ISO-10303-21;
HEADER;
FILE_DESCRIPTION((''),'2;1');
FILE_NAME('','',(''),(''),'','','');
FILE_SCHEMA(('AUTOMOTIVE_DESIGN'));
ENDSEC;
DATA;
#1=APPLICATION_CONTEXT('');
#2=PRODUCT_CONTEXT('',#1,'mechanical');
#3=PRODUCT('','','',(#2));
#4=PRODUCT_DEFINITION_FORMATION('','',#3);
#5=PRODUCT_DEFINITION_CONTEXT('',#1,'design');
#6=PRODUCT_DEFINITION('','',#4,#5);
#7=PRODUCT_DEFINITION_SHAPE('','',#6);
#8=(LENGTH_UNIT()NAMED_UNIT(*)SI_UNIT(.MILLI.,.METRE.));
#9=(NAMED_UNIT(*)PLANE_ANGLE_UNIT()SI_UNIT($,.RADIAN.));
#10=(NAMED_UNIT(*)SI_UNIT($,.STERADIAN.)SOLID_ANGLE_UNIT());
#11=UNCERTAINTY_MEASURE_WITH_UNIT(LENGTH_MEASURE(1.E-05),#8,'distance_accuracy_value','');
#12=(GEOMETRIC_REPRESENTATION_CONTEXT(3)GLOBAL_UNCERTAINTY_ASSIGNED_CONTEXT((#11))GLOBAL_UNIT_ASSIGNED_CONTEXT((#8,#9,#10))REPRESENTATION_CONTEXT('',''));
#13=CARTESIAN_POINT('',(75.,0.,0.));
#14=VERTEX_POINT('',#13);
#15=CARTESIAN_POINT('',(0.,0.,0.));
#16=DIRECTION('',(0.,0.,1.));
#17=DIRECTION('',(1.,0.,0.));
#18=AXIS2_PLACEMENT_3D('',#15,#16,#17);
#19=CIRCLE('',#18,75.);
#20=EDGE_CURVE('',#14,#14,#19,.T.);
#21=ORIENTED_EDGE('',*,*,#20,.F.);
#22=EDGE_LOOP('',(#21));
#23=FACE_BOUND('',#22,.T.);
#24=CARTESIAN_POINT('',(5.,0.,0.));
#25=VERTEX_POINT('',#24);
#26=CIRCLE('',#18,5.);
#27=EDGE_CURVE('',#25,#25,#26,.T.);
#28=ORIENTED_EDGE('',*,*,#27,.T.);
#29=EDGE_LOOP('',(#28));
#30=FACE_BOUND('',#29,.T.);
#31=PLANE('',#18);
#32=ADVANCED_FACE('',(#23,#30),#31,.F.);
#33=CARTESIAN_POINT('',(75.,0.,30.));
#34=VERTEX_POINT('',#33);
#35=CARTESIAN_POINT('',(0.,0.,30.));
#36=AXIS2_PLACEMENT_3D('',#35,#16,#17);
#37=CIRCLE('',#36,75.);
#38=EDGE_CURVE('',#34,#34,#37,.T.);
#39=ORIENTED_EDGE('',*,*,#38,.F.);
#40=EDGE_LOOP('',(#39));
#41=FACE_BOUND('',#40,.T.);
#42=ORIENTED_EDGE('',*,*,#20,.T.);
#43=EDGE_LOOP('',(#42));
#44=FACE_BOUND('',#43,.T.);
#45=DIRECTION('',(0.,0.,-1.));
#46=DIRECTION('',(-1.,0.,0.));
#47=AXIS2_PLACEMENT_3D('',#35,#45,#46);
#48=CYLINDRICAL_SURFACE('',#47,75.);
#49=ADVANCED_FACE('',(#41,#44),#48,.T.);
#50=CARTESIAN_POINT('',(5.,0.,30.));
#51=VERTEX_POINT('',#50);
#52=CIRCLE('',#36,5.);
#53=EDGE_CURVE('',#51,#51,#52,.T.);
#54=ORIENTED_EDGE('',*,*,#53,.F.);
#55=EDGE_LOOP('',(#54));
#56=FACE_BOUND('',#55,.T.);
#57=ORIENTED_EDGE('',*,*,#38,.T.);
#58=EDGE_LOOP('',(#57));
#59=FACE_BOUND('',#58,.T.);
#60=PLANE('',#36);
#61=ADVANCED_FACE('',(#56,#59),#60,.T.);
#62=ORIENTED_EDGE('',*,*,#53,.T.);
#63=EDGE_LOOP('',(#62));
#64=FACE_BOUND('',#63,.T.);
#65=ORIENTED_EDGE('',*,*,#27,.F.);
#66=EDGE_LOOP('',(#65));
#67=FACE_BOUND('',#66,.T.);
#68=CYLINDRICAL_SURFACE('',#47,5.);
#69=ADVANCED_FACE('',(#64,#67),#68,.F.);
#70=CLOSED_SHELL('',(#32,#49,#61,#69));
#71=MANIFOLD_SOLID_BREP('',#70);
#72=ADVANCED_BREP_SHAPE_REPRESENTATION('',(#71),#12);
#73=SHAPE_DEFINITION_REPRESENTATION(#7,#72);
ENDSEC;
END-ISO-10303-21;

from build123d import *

# Parameters (mm, degrees)
SKETCH_1_R      = 75
SKETCH_1_R_2    = 5
EXTRUDE_1_DEPTH = 30


with BuildPart() as part:
    # 草图1 → 凸台-拉伸1 (new body)
    with BuildSketch(Plane.XY):
        Circle(SKETCH_1_R)
        Circle(SKETCH_1_R_2, mode=Mode.SUBTRACT)
    extrude(amount=EXTRUDE_1_DEPTH)


solid = part.part
